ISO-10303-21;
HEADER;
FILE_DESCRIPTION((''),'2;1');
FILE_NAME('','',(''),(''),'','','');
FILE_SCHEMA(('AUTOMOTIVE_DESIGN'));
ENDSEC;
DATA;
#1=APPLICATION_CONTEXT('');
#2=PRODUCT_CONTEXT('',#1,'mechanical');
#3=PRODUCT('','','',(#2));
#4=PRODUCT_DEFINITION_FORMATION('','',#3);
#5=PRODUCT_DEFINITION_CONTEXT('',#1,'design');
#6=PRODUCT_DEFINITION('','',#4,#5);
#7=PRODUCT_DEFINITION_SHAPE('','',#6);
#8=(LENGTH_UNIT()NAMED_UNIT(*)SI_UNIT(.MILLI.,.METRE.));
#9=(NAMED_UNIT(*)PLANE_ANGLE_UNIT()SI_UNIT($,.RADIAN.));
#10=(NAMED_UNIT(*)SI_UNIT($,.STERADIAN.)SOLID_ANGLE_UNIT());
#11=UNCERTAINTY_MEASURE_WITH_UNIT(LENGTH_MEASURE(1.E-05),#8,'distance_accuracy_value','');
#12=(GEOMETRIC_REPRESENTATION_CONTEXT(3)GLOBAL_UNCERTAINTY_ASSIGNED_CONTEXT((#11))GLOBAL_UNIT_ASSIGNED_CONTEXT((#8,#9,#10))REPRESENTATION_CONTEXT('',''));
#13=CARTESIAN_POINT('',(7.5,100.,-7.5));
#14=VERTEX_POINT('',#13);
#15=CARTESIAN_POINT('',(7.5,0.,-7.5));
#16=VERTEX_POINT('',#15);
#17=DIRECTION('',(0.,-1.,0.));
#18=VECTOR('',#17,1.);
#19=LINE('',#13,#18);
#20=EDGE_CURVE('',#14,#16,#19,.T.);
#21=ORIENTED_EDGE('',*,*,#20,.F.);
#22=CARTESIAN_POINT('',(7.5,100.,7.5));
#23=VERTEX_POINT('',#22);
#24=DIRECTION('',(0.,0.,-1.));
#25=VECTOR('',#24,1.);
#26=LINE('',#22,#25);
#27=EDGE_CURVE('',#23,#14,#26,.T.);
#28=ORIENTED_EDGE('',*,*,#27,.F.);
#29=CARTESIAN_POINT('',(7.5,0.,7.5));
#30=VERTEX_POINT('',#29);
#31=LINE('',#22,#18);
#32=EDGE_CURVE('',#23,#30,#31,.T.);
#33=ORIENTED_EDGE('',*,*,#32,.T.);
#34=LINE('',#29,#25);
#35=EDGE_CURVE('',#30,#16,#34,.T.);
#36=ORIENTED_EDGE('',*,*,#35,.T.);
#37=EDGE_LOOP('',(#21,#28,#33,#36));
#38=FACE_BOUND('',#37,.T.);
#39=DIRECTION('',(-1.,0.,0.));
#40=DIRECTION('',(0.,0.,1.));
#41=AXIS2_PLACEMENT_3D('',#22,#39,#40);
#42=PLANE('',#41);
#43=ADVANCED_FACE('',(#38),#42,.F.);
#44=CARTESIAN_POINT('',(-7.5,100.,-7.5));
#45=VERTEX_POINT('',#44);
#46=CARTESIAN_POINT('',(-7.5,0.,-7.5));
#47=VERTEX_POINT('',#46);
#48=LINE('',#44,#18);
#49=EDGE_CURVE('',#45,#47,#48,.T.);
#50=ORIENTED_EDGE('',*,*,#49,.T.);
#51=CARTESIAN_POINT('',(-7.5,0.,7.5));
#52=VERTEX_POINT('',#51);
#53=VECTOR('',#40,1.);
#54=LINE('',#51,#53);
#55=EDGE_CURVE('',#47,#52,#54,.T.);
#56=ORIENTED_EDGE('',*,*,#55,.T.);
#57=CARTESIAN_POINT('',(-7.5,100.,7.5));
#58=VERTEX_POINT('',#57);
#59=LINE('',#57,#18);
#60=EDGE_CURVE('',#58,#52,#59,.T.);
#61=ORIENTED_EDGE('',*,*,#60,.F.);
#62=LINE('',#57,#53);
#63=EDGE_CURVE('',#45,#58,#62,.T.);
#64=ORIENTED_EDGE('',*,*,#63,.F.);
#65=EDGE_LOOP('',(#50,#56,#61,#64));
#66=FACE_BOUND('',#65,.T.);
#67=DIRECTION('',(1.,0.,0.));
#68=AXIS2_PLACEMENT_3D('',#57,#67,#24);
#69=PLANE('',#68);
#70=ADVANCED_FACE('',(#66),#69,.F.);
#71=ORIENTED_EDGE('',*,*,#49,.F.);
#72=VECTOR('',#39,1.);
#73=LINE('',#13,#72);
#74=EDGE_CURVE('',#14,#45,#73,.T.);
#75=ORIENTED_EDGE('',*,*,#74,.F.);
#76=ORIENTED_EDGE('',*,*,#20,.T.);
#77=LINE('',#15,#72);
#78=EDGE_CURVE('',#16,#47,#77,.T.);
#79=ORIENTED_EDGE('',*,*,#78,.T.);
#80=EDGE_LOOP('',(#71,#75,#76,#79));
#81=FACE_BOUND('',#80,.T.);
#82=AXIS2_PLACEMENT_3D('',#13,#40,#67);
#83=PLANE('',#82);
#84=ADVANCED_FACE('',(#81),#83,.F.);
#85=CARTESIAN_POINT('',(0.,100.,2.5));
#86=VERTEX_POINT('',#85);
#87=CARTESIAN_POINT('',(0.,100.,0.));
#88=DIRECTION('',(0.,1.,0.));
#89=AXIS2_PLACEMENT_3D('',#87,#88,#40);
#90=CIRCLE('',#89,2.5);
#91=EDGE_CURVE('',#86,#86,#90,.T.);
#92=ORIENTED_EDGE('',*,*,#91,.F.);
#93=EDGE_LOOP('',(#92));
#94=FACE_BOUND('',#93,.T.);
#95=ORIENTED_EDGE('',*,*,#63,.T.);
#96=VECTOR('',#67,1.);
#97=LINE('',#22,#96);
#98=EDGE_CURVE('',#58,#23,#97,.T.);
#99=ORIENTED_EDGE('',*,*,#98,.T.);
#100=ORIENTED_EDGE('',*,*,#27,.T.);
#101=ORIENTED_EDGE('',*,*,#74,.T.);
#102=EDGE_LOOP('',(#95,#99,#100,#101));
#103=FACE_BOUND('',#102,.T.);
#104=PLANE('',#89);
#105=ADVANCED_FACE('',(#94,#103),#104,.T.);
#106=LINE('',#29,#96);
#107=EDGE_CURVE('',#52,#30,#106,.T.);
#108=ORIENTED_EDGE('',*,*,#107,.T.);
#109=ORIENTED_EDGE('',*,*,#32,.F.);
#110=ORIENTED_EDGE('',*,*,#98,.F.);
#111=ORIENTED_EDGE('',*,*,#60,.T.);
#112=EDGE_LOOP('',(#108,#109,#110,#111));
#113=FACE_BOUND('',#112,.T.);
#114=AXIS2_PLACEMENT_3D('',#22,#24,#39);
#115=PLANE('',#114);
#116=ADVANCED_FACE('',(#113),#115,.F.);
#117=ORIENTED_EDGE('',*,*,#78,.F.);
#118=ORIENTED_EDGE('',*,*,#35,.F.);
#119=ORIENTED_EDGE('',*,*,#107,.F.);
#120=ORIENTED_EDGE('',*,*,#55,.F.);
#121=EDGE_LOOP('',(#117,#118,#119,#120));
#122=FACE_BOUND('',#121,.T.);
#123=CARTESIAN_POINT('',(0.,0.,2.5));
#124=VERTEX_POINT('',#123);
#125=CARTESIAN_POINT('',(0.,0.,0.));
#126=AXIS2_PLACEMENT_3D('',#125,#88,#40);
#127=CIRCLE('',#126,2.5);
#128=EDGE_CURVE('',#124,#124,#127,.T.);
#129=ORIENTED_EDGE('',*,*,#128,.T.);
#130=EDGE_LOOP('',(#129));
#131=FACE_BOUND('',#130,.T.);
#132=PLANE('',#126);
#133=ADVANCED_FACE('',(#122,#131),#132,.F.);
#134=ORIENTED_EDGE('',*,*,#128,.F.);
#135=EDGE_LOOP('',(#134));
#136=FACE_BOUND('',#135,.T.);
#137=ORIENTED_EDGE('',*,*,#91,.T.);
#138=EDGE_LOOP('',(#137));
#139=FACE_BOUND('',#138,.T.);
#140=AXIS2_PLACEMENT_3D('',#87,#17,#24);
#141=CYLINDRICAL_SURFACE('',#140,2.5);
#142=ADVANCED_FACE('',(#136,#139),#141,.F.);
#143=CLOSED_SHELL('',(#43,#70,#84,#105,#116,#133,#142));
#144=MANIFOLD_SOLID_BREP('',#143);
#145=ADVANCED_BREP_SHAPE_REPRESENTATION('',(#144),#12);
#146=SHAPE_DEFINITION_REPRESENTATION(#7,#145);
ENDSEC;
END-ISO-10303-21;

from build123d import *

# Parameters (mm, degrees)
SKETCH1_W           = 15
SKETCH1_H           = 15
SKETCH1_R           = 2.5
BOSS_EXTRUDE1_DEPTH = 100


with BuildPart() as part:
    # Sketch1 → Boss-Extrude1 (new body)
    with BuildSketch(Plane(origin=(0, 0, 0), x_dir=(1, 0, 0), z_dir=(0, 1, 0))):
        Rectangle(SKETCH1_W, SKETCH1_H)
        with Locations(Location((0, 0, 0), (0, 0, 270))):
            Circle(SKETCH1_R, mode=Mode.SUBTRACT)
    extrude(amount=BOSS_EXTRUDE1_DEPTH)


solid = part.part
